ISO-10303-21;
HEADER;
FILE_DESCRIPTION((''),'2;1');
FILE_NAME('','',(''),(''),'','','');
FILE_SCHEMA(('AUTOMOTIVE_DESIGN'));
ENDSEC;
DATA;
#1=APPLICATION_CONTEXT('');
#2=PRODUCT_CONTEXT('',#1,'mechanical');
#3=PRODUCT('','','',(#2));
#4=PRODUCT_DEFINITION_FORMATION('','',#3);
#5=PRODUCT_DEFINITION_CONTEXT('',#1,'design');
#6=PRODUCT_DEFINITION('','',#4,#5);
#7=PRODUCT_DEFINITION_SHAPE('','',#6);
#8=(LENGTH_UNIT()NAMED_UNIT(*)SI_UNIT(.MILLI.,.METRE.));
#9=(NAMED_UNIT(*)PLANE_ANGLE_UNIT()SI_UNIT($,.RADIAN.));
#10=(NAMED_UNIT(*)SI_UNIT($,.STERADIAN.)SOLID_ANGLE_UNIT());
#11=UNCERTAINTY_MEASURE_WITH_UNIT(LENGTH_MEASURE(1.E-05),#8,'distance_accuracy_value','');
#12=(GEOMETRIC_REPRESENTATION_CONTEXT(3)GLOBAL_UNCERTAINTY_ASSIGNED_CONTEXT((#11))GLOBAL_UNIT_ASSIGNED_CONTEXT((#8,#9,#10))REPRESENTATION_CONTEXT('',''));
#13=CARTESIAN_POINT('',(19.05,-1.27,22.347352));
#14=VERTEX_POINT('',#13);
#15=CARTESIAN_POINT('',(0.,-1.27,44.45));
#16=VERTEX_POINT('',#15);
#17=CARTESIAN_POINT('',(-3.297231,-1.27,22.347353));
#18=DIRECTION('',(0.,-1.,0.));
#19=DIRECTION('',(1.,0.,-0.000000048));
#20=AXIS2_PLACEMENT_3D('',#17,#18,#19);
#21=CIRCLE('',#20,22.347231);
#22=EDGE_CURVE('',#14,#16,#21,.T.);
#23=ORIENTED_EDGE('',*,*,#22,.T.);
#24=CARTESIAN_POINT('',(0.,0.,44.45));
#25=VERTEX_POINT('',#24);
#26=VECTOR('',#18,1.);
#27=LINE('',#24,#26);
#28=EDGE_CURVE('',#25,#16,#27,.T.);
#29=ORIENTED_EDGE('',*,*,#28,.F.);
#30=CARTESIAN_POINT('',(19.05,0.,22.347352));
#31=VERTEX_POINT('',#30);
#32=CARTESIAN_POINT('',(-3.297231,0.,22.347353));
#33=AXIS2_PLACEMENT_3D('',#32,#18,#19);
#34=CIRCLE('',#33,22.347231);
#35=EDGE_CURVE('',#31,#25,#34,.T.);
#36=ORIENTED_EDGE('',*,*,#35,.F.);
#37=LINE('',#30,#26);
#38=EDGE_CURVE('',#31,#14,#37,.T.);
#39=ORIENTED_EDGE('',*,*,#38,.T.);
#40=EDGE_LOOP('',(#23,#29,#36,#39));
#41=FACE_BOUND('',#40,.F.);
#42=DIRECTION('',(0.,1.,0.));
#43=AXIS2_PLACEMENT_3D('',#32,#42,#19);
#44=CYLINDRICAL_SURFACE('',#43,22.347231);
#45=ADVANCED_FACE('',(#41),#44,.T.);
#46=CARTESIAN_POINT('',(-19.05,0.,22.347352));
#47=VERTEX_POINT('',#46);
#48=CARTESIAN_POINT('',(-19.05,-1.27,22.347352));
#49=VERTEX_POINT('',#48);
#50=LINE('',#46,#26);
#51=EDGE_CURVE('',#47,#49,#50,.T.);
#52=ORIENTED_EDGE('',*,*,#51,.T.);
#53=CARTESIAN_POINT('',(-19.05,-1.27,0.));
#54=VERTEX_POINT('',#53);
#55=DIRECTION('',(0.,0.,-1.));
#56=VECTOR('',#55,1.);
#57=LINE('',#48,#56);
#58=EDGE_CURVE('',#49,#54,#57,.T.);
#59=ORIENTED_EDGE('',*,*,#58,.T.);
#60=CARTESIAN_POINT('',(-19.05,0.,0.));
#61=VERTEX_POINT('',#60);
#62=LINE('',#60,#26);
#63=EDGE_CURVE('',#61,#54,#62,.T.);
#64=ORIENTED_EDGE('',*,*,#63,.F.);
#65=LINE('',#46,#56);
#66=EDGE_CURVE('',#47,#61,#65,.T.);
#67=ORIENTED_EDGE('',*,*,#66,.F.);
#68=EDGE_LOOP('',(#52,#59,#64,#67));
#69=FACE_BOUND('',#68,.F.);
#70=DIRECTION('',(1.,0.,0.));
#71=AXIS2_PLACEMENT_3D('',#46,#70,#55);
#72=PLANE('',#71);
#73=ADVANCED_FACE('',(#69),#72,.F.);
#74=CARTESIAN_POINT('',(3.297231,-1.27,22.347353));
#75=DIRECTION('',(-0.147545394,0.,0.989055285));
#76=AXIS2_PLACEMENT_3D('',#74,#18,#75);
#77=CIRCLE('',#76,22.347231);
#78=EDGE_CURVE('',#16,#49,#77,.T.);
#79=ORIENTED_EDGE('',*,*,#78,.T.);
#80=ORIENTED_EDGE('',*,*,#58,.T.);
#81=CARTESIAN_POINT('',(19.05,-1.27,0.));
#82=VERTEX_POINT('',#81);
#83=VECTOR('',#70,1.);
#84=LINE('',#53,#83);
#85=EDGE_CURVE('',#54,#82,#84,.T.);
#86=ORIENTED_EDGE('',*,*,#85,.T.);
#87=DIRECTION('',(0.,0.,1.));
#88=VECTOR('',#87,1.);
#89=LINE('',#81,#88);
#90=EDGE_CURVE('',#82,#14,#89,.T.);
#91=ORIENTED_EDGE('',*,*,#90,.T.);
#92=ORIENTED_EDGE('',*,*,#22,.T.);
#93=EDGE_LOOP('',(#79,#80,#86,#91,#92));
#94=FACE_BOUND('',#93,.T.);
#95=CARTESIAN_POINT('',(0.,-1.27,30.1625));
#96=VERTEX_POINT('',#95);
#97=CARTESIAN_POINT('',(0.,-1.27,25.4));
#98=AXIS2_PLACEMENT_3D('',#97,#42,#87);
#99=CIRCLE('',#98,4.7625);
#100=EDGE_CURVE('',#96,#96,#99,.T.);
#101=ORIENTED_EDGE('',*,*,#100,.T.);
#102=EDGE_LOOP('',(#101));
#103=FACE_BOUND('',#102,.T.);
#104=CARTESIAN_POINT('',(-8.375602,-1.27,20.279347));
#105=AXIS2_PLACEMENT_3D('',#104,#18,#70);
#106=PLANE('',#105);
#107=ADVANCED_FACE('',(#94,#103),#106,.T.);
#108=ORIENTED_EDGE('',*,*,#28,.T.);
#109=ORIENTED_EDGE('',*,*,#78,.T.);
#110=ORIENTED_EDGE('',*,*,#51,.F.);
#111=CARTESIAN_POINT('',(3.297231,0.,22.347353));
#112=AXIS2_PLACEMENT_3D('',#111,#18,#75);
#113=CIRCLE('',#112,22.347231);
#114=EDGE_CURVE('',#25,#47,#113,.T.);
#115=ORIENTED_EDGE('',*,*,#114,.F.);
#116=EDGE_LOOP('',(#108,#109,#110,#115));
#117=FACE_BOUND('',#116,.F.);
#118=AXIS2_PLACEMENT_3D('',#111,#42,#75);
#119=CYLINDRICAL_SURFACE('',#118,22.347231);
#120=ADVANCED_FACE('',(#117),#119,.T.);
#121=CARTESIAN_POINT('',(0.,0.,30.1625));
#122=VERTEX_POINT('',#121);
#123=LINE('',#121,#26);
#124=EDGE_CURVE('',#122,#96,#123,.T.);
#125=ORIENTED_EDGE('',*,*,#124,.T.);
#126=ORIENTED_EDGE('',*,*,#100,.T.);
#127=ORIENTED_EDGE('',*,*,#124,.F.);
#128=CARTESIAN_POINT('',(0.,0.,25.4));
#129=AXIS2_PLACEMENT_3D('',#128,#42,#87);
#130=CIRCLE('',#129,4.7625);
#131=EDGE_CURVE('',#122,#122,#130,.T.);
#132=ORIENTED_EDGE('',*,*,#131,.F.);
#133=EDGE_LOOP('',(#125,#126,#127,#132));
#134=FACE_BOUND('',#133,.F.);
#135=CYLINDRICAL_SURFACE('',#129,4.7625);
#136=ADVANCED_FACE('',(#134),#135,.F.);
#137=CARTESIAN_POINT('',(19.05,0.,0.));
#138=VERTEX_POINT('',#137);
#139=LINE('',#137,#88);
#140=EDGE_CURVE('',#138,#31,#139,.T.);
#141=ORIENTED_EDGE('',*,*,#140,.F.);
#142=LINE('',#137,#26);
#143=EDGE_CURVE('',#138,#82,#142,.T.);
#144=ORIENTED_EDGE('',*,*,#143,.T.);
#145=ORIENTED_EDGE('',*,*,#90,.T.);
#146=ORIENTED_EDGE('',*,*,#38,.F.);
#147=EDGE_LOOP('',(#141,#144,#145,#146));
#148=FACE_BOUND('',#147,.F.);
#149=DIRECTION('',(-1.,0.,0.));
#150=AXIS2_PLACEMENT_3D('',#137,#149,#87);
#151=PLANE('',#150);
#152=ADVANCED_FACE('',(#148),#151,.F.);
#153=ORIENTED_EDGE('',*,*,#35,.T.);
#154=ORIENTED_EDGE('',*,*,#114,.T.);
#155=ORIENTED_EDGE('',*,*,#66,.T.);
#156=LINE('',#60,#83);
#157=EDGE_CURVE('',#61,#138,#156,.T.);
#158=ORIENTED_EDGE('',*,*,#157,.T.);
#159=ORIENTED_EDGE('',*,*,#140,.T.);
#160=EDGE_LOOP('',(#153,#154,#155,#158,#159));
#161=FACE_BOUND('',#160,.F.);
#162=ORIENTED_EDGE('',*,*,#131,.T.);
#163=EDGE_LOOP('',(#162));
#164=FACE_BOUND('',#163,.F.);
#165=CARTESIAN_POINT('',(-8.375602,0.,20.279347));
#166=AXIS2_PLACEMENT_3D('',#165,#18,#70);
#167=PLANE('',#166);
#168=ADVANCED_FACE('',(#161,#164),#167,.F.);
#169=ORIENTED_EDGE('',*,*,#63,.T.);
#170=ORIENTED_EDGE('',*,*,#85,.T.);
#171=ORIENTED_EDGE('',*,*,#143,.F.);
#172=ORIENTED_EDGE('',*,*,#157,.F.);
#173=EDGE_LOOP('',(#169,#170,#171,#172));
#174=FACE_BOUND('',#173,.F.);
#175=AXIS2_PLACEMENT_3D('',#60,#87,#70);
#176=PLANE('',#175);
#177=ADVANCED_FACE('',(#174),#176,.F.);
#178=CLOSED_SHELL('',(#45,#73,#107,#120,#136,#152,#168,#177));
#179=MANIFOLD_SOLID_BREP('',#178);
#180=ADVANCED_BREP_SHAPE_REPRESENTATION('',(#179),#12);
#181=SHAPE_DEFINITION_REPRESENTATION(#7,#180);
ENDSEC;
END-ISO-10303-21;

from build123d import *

# Parameters (mm, degrees)
F1_DEPTH = 1.27


with BuildPart() as f1:
    # F0 (on Front) → F1 (new body)
    with BuildSketch(Plane.XZ):
        with BuildLine():
            Line((-19.05, 22.347352), (-19.05, 0))
            Line((-19.05, 0), (0, 0))
            Line((0, 0), (0, 20.6375))
            ThreePointArc((0, 20.6375), (-4.7625, 25.4), (0, 30.1625))
            Line((0, 30.1625), (0, 44.45))
            ThreePointArc((0, 44.45), (-13.630302, 36.936985), (-19.05, 22.347352))
        make_face()
        with BuildLine():
            Line((0, 20.6375), (0, 0))
            Line((0, 0), (19.05, 0))
            Line((19.05, 0), (19.05, 22.347352))
            ThreePointArc((19.05, 22.347352), (13.630302, 36.936985), (0, 44.45))
            Line((0, 44.45), (0, 30.1625))
            ThreePointArc((0, 30.1625), (4.7625, 25.4), (0, 20.6375))
        make_face()
    extrude(amount=F1_DEPTH)


solid = f1.part
